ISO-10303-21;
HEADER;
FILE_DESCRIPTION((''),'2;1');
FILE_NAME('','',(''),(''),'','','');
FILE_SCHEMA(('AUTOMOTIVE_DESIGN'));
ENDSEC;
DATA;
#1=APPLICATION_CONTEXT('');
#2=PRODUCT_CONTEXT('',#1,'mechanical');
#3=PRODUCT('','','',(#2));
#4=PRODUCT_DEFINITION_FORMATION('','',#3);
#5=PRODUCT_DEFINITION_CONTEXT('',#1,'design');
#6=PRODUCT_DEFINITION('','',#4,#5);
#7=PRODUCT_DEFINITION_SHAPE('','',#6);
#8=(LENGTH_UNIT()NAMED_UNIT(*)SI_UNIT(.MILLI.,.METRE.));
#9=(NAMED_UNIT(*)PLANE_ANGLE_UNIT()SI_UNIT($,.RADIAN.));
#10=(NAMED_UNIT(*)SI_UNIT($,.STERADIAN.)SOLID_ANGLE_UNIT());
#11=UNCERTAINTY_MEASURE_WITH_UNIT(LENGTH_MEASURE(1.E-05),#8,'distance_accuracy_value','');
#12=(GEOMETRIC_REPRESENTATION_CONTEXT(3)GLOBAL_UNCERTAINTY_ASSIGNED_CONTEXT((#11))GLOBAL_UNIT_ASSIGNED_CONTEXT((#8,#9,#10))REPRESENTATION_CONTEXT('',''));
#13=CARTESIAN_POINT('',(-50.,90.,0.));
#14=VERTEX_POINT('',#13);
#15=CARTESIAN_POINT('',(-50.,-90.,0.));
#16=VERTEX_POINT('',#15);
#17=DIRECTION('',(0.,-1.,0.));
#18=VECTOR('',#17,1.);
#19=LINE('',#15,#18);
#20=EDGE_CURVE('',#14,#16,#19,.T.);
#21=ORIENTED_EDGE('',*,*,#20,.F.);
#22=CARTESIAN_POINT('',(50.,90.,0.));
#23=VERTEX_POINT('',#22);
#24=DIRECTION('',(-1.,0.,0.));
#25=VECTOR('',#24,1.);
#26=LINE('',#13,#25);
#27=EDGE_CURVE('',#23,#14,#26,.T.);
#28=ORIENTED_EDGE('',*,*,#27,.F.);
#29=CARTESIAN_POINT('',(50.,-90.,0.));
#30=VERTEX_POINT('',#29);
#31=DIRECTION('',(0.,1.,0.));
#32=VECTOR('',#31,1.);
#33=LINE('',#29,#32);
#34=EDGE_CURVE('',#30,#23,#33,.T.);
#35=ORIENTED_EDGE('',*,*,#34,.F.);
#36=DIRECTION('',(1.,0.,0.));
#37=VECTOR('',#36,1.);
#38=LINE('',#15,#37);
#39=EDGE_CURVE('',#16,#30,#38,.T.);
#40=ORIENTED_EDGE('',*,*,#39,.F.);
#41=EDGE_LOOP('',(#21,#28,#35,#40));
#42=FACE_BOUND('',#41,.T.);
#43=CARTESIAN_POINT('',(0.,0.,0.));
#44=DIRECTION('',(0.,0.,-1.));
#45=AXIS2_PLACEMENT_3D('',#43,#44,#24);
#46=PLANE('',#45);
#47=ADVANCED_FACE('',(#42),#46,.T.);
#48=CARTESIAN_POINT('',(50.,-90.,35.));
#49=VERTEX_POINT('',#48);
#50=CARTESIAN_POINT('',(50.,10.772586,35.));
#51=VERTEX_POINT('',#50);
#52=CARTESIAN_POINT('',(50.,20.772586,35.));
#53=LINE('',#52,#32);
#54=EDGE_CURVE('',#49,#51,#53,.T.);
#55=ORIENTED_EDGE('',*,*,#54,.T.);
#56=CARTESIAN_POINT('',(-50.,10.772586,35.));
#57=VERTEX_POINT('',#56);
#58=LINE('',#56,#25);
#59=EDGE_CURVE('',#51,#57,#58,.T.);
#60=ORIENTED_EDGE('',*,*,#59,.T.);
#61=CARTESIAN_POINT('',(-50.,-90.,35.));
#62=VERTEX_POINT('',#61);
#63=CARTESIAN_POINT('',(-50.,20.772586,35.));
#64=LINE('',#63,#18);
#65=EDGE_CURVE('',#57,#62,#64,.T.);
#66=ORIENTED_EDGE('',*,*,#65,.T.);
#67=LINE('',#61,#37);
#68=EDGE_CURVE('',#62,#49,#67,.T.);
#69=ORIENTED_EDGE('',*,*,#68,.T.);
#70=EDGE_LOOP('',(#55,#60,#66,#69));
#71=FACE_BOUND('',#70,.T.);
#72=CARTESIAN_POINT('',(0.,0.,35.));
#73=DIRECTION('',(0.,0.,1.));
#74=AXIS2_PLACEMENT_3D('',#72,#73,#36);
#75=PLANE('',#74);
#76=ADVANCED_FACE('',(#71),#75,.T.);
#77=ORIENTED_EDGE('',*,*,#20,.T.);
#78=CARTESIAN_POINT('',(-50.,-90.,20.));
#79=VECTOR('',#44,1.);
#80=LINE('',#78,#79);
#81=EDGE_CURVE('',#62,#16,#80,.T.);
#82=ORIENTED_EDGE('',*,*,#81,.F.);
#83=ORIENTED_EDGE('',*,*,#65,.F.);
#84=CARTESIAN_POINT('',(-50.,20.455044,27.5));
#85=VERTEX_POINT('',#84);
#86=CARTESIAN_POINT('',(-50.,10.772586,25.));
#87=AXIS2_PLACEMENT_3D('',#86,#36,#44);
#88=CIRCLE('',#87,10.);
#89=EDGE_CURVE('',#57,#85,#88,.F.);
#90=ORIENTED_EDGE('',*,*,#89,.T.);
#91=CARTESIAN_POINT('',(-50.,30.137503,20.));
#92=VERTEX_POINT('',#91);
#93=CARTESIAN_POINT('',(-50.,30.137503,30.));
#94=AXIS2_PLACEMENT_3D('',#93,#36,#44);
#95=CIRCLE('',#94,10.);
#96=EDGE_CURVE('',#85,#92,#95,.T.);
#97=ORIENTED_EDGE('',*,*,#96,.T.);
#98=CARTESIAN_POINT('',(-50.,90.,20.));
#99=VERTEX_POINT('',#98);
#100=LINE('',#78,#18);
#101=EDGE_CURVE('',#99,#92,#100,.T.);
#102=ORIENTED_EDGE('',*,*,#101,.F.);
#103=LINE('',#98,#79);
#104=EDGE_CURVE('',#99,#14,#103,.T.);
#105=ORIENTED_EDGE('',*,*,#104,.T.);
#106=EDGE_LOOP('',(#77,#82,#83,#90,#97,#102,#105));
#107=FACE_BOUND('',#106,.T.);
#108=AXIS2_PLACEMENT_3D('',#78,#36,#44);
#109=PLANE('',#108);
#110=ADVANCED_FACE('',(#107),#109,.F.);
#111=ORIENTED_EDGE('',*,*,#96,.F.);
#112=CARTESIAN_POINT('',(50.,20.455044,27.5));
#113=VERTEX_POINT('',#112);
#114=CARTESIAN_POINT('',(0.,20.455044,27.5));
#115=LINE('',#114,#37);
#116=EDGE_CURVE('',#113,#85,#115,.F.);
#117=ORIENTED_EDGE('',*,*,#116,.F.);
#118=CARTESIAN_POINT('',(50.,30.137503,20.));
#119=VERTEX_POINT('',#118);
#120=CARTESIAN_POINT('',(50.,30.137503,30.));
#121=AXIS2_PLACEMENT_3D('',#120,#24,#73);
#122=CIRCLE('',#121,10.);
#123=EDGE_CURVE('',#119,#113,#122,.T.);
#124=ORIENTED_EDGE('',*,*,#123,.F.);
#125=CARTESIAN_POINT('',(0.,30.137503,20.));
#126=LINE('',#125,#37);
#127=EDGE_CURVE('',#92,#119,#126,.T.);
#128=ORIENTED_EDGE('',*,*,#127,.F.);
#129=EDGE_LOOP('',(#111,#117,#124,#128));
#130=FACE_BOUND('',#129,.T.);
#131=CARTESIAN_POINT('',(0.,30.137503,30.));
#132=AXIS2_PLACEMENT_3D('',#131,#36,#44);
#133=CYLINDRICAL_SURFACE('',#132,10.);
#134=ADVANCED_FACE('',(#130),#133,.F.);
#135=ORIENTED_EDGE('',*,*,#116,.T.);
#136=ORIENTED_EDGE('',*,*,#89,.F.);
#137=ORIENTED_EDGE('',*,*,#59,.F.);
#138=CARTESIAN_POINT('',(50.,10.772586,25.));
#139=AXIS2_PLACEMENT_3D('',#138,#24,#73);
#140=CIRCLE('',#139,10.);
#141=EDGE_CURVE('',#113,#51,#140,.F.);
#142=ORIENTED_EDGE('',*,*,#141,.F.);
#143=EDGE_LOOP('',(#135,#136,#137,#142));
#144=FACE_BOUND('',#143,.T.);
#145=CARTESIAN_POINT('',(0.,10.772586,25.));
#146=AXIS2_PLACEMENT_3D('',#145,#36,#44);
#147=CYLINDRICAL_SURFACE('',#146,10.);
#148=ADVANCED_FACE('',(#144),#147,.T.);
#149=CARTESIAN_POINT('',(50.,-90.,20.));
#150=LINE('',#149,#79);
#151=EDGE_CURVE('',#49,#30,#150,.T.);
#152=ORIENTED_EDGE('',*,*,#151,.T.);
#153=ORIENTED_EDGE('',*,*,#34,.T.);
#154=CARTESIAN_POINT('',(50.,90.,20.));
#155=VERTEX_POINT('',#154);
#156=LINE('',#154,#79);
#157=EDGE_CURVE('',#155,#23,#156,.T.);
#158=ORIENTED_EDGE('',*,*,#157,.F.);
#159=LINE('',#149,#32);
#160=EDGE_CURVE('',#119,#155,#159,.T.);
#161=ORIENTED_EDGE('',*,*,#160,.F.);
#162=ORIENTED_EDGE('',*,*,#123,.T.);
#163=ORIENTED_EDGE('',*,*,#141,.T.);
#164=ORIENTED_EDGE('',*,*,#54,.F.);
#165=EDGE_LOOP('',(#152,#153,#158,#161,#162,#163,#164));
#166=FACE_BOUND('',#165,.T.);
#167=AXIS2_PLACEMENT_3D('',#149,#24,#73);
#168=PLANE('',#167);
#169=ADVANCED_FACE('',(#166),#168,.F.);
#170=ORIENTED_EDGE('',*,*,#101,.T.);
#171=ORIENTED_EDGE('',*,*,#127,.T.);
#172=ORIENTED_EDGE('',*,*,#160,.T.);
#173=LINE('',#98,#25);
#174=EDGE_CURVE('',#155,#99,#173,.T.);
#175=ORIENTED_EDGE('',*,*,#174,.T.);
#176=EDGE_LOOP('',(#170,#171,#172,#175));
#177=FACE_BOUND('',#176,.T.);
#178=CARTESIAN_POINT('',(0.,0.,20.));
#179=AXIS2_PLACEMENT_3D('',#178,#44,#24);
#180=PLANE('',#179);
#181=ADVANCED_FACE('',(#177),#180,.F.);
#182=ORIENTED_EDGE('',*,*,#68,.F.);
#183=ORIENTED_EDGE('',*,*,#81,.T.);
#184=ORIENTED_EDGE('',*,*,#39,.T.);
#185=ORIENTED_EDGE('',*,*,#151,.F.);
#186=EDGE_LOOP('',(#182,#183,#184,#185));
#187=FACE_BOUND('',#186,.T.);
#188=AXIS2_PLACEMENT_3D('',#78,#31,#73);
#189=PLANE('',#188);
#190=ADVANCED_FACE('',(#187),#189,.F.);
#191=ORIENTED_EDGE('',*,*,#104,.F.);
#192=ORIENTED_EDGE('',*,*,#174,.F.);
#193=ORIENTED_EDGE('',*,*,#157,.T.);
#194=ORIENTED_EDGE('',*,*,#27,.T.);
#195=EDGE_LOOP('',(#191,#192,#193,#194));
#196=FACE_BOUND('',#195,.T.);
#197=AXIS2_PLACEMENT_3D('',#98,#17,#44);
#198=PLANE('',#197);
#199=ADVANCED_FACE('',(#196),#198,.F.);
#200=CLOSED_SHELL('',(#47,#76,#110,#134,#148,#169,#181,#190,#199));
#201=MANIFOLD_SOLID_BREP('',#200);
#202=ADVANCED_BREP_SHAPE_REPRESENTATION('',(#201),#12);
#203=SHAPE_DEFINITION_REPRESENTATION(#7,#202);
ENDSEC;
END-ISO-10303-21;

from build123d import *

# Parameters (mm, degrees)
SKETCH_1_W      = 100
SKETCH_1_H      = 180
EXTRUDE_1_DEPTH = 20
SKETCH_2_W      = 100
SKETCH_2_H      = 110.772585851
EXTRUDE_2_DEPTH = 15
FILLET_1_R      = 10
FILLET_2_R      = 10


with BuildPart() as part:
    # 草图1 → 凸台-拉伸1 (new body)
    with BuildSketch(Plane.XY):
        Rectangle(SKETCH_1_W, SKETCH_1_H)
    extrude(amount=EXTRUDE_1_DEPTH)

    # 草图2 → 凸台-拉伸2 (add)
    with BuildSketch(Plane.XY.offset(20)):
        with Locations((0, -34.613707074)):
            Rectangle(SKETCH_2_W, SKETCH_2_H)
    extrude(amount=EXTRUDE_2_DEPTH)

    # 圆角1
    fillet_1_edges = [part.edges().sort_by_distance(p)[0] for p in [
        (0, 20.772585851, 35),
    ]]
    fillet(fillet_1_edges, radius=FILLET_1_R)

    # 圆角2
    fillet_2_edges = [part.edges().sort_by_distance(p)[0] for p in [
        (0, 20.772585851, 20),
    ]]
    fillet(fillet_2_edges, radius=FILLET_2_R)


solid = part.part
